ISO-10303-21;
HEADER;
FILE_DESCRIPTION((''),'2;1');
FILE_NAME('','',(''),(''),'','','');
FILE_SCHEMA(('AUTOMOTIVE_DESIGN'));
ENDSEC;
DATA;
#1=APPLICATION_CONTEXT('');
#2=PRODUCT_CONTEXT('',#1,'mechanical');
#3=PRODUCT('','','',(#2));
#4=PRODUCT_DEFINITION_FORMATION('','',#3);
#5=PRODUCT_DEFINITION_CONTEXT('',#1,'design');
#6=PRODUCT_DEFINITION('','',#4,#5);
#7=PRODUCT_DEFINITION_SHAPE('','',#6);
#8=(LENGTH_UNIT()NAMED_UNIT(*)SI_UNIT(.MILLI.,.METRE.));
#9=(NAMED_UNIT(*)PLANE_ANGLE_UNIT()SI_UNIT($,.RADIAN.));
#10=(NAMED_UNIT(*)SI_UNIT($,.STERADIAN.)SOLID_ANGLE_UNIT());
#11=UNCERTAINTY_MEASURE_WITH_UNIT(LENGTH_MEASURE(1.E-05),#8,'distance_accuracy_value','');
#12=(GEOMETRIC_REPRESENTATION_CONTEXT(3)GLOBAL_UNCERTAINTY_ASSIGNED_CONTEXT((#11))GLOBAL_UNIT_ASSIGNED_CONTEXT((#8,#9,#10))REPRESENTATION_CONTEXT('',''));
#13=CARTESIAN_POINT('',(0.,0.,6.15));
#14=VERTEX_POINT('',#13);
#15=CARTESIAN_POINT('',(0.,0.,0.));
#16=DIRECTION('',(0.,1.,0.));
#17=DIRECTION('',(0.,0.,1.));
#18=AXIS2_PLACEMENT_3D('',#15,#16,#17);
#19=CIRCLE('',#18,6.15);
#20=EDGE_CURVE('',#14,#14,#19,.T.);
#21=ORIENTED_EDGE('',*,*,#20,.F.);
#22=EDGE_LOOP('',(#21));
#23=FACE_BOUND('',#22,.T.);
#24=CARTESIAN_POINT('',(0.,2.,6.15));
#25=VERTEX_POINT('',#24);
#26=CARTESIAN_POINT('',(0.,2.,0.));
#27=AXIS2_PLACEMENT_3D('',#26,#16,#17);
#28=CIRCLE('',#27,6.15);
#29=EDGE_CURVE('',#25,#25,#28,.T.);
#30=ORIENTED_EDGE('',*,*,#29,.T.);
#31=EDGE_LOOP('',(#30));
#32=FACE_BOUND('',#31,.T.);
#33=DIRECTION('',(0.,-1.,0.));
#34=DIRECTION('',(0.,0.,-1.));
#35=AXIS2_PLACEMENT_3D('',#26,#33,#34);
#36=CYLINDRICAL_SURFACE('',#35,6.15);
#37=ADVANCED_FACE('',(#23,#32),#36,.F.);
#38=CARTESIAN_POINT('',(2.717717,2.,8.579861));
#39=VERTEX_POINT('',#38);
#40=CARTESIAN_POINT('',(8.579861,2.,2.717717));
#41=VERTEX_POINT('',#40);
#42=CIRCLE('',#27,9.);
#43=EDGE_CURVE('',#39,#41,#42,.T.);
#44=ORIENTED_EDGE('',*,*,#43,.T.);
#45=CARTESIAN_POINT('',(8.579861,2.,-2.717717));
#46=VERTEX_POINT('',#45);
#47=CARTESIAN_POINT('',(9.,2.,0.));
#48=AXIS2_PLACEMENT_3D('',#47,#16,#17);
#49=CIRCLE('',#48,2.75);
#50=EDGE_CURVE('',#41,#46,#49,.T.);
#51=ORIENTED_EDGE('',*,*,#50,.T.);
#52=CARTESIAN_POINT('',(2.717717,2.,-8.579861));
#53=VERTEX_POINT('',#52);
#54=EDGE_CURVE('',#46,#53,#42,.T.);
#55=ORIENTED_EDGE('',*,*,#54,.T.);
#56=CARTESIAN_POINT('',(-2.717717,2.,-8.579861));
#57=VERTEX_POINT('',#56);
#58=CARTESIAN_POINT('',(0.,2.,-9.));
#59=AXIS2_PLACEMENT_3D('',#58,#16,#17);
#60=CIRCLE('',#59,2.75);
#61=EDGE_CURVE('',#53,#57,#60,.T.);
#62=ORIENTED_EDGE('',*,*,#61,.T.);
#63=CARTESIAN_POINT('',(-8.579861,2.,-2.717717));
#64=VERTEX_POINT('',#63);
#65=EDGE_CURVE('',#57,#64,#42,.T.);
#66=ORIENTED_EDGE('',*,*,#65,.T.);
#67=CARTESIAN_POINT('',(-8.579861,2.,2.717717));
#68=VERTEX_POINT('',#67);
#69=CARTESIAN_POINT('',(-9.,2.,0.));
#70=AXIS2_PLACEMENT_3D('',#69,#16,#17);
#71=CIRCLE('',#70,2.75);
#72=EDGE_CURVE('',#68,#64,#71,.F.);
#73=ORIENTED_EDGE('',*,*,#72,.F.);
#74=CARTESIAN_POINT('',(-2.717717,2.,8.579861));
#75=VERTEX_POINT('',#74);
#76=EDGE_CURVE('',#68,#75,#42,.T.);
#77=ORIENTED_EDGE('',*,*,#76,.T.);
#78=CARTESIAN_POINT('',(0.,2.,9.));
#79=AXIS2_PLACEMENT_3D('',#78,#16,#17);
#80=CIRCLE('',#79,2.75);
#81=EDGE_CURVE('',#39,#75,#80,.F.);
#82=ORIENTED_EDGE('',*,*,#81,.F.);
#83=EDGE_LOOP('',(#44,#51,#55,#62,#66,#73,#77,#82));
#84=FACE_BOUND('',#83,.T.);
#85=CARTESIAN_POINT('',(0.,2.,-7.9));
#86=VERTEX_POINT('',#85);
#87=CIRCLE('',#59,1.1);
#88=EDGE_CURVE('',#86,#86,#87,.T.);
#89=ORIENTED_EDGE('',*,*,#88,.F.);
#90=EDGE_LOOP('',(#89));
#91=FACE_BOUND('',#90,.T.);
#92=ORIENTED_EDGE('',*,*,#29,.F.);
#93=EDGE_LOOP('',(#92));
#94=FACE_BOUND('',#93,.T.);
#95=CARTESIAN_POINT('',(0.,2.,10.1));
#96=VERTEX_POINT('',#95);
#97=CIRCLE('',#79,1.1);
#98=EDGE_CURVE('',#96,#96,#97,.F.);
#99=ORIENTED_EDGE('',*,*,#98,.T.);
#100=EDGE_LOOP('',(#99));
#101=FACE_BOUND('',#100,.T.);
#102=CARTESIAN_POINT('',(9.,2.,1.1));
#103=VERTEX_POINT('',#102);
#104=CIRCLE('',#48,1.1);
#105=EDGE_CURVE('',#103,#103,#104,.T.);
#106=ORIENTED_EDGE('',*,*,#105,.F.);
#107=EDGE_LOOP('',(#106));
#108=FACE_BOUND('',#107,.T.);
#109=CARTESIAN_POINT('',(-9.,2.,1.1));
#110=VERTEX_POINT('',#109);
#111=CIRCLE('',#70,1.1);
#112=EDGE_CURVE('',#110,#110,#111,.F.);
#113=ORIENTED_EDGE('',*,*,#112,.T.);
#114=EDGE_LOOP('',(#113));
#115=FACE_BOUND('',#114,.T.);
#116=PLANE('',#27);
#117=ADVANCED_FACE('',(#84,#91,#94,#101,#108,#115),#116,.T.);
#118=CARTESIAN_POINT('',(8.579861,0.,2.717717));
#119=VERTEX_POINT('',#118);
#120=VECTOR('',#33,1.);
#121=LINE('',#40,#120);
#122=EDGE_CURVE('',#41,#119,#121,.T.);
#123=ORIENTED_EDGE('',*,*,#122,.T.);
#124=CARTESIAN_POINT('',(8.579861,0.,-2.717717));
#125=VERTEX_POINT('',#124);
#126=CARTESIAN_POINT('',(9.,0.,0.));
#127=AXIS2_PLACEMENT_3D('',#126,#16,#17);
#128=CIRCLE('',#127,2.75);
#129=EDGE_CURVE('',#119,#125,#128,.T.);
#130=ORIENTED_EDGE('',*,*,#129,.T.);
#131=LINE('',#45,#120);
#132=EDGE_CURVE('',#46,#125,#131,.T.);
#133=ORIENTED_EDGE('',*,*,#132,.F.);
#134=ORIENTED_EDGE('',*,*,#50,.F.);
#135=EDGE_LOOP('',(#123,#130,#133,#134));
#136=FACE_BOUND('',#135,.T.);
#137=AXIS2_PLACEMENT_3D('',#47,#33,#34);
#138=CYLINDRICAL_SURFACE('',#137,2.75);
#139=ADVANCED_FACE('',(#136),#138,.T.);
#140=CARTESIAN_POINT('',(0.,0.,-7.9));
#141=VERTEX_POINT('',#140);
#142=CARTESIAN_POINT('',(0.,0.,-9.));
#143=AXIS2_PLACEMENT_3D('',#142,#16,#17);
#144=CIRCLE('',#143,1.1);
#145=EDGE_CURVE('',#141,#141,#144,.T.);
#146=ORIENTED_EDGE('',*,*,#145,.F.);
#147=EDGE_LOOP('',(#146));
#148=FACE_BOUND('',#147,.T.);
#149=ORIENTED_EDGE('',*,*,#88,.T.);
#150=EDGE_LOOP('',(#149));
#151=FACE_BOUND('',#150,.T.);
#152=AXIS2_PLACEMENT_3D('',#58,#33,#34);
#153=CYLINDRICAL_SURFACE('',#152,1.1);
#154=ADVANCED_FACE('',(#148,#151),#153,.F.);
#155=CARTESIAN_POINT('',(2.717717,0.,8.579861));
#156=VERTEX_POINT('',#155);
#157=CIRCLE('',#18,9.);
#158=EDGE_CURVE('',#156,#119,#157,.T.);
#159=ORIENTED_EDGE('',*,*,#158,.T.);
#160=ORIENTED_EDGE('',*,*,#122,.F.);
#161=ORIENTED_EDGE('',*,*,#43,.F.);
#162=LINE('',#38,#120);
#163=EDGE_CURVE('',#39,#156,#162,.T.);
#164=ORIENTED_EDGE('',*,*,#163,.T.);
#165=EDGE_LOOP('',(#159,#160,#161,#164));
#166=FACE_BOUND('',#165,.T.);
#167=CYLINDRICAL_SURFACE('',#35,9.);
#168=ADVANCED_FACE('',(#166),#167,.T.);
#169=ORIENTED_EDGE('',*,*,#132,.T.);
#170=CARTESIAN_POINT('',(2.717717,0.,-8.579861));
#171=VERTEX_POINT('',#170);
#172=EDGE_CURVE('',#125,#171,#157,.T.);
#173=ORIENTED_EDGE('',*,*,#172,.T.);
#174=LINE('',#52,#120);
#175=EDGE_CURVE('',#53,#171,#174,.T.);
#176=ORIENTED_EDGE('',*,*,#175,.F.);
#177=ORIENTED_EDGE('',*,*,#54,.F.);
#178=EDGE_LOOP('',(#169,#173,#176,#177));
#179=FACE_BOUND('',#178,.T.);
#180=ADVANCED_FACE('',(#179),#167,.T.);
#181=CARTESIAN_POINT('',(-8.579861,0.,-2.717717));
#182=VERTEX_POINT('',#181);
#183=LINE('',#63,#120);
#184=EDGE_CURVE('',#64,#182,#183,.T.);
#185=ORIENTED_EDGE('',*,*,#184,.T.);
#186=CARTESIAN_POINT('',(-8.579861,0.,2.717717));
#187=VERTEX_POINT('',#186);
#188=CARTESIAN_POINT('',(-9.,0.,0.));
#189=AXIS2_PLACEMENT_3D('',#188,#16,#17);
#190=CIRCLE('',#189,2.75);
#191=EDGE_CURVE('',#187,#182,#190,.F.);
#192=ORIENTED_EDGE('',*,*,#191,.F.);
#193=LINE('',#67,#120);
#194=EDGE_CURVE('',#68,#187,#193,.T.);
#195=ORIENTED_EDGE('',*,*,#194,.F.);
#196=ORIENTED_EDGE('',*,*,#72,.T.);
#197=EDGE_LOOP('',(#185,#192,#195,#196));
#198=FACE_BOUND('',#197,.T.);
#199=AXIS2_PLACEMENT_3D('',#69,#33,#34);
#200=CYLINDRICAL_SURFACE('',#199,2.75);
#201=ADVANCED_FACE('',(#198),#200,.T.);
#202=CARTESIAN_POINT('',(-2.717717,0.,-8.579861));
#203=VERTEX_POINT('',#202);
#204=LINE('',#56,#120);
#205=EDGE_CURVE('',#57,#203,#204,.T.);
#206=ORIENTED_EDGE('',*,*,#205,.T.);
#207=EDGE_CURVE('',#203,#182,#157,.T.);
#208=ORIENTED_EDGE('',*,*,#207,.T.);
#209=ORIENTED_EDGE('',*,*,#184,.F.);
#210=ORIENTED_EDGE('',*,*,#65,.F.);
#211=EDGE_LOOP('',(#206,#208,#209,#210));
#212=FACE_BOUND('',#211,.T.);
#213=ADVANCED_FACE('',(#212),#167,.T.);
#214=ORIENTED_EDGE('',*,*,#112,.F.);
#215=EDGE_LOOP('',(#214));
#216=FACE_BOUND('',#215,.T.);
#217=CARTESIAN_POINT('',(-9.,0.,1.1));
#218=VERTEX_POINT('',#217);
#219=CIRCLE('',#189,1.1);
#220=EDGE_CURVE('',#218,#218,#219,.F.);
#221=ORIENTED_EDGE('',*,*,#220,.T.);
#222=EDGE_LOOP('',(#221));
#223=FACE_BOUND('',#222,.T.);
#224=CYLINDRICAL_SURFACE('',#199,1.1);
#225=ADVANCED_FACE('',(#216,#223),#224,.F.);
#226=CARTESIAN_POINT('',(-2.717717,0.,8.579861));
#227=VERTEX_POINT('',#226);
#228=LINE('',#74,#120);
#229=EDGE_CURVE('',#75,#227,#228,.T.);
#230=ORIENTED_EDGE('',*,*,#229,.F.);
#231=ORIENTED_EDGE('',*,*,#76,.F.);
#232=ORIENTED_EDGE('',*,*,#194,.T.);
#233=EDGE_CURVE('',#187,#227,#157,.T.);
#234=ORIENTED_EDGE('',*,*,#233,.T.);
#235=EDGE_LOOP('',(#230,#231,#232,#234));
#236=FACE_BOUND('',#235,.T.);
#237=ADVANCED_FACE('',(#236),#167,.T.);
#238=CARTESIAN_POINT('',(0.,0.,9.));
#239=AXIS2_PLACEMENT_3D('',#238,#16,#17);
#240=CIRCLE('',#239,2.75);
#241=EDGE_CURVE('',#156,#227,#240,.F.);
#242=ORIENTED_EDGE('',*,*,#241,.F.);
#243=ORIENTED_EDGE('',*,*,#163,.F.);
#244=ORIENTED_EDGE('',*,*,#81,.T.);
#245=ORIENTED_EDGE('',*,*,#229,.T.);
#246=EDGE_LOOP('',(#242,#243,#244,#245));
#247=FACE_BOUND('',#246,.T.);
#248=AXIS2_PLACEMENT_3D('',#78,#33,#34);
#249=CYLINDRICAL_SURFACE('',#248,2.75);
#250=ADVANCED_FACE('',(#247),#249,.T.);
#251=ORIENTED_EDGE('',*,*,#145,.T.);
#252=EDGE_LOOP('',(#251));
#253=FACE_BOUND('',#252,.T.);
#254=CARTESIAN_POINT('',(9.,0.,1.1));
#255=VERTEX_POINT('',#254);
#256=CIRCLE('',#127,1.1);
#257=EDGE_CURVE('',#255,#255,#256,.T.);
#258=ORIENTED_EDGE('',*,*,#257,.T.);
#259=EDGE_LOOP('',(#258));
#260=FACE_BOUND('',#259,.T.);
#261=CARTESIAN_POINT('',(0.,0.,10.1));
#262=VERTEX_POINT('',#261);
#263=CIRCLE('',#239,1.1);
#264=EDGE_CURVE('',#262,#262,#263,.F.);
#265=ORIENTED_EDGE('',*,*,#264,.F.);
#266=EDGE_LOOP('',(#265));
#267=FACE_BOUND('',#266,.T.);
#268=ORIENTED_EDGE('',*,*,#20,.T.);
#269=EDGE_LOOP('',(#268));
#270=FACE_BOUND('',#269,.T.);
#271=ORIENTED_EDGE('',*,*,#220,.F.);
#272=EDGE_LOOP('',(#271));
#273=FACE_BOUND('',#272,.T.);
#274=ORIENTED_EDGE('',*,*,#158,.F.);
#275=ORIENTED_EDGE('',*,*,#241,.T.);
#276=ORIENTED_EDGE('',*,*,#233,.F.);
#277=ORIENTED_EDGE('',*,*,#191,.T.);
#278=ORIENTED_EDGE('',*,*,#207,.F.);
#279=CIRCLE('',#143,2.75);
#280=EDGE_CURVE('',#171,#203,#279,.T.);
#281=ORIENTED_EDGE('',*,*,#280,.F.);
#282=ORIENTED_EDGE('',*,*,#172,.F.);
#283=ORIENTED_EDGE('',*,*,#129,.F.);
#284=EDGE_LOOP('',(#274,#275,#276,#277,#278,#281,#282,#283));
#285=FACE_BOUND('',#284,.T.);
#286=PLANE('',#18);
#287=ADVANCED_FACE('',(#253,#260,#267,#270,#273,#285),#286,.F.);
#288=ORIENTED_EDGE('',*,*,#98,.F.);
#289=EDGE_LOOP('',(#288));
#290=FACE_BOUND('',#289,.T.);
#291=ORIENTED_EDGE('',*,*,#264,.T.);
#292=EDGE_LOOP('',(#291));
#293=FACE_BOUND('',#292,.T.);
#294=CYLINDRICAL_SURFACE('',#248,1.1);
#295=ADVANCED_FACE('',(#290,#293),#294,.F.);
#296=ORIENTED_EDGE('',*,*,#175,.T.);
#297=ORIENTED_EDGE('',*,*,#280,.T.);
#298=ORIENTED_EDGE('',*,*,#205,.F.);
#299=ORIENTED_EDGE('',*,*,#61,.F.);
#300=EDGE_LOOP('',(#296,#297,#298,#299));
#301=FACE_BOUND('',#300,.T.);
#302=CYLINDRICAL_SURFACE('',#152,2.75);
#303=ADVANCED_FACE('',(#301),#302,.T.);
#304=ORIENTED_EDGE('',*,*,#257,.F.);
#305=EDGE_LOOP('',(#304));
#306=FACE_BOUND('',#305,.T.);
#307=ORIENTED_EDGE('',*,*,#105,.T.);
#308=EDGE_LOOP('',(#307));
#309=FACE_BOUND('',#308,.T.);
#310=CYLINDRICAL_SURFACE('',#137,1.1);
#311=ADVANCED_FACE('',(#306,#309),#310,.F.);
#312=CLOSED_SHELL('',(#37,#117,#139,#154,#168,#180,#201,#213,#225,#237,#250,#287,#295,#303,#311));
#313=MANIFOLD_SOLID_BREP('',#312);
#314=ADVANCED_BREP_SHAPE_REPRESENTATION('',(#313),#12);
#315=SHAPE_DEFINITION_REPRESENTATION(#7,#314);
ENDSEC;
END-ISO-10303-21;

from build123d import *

# Parameters (mm, degrees)
SKETCH1_R           = 1.1
SKETCH1_R_2         = 6.15
BOSS_EXTRUDE1_DEPTH = 2


with BuildPart() as part:
    # Sketch1 → Boss-Extrude1 (new body)
    with BuildSketch(Plane(origin=(0, 0, 0), x_dir=(1, 0, 0), z_dir=(0, 1, 0))):
        with BuildLine():
            ThreePointArc((-2.717716562, -8.579861111), (0, -11.75), (2.717716562, -8.579861111))
            ThreePointArc((2.717716562, -8.579861111), (6.363961031, -6.363961031), (8.579861111, -2.717716562))
            ThreePointArc((8.579861111, -2.717716562), (11.75, 0), (8.579861111, 2.717716562))
            ThreePointArc((8.579861111, 2.717716562), (6.363961031, 6.363961031), (2.717716562, 8.579861111))
            ThreePointArc((2.717716562, 8.579861111), (0, 11.75), (-2.717716562, 8.579861111))
            ThreePointArc((-2.717716562, 8.579861111), (-6.363961031, 6.363961031), (-8.579861111, 2.717716562))
            ThreePointArc((-8.579861111, 2.717716562), (-11.75, 0), (-8.579861111, -2.717716562))
            ThreePointArc((-8.579861111, -2.717716562), (-6.363961031, -6.363961031), (-2.717716562, -8.579861111))
        make_face()
        with Locations(Location((0, -9, 0), (0, 0, 270))):
            Circle(SKETCH1_R, mode=Mode.SUBTRACT)
        with Locations(Location((-9, 0, 0), (0, 0, 270))):
            Circle(SKETCH1_R, mode=Mode.SUBTRACT)
        with Locations(Location((0, 0, 0), (0, 0, 270))):
            Circle(SKETCH1_R_2, mode=Mode.SUBTRACT)
        with Locations(Location((9, 0, 0), (0, 0, 270))):
            Circle(SKETCH1_R, mode=Mode.SUBTRACT)
        with Locations(Location((0, 9, 0), (0, 0, 270))):
            Circle(SKETCH1_R, mode=Mode.SUBTRACT)
    extrude(amount=BOSS_EXTRUDE1_DEPTH)


solid = part.part
